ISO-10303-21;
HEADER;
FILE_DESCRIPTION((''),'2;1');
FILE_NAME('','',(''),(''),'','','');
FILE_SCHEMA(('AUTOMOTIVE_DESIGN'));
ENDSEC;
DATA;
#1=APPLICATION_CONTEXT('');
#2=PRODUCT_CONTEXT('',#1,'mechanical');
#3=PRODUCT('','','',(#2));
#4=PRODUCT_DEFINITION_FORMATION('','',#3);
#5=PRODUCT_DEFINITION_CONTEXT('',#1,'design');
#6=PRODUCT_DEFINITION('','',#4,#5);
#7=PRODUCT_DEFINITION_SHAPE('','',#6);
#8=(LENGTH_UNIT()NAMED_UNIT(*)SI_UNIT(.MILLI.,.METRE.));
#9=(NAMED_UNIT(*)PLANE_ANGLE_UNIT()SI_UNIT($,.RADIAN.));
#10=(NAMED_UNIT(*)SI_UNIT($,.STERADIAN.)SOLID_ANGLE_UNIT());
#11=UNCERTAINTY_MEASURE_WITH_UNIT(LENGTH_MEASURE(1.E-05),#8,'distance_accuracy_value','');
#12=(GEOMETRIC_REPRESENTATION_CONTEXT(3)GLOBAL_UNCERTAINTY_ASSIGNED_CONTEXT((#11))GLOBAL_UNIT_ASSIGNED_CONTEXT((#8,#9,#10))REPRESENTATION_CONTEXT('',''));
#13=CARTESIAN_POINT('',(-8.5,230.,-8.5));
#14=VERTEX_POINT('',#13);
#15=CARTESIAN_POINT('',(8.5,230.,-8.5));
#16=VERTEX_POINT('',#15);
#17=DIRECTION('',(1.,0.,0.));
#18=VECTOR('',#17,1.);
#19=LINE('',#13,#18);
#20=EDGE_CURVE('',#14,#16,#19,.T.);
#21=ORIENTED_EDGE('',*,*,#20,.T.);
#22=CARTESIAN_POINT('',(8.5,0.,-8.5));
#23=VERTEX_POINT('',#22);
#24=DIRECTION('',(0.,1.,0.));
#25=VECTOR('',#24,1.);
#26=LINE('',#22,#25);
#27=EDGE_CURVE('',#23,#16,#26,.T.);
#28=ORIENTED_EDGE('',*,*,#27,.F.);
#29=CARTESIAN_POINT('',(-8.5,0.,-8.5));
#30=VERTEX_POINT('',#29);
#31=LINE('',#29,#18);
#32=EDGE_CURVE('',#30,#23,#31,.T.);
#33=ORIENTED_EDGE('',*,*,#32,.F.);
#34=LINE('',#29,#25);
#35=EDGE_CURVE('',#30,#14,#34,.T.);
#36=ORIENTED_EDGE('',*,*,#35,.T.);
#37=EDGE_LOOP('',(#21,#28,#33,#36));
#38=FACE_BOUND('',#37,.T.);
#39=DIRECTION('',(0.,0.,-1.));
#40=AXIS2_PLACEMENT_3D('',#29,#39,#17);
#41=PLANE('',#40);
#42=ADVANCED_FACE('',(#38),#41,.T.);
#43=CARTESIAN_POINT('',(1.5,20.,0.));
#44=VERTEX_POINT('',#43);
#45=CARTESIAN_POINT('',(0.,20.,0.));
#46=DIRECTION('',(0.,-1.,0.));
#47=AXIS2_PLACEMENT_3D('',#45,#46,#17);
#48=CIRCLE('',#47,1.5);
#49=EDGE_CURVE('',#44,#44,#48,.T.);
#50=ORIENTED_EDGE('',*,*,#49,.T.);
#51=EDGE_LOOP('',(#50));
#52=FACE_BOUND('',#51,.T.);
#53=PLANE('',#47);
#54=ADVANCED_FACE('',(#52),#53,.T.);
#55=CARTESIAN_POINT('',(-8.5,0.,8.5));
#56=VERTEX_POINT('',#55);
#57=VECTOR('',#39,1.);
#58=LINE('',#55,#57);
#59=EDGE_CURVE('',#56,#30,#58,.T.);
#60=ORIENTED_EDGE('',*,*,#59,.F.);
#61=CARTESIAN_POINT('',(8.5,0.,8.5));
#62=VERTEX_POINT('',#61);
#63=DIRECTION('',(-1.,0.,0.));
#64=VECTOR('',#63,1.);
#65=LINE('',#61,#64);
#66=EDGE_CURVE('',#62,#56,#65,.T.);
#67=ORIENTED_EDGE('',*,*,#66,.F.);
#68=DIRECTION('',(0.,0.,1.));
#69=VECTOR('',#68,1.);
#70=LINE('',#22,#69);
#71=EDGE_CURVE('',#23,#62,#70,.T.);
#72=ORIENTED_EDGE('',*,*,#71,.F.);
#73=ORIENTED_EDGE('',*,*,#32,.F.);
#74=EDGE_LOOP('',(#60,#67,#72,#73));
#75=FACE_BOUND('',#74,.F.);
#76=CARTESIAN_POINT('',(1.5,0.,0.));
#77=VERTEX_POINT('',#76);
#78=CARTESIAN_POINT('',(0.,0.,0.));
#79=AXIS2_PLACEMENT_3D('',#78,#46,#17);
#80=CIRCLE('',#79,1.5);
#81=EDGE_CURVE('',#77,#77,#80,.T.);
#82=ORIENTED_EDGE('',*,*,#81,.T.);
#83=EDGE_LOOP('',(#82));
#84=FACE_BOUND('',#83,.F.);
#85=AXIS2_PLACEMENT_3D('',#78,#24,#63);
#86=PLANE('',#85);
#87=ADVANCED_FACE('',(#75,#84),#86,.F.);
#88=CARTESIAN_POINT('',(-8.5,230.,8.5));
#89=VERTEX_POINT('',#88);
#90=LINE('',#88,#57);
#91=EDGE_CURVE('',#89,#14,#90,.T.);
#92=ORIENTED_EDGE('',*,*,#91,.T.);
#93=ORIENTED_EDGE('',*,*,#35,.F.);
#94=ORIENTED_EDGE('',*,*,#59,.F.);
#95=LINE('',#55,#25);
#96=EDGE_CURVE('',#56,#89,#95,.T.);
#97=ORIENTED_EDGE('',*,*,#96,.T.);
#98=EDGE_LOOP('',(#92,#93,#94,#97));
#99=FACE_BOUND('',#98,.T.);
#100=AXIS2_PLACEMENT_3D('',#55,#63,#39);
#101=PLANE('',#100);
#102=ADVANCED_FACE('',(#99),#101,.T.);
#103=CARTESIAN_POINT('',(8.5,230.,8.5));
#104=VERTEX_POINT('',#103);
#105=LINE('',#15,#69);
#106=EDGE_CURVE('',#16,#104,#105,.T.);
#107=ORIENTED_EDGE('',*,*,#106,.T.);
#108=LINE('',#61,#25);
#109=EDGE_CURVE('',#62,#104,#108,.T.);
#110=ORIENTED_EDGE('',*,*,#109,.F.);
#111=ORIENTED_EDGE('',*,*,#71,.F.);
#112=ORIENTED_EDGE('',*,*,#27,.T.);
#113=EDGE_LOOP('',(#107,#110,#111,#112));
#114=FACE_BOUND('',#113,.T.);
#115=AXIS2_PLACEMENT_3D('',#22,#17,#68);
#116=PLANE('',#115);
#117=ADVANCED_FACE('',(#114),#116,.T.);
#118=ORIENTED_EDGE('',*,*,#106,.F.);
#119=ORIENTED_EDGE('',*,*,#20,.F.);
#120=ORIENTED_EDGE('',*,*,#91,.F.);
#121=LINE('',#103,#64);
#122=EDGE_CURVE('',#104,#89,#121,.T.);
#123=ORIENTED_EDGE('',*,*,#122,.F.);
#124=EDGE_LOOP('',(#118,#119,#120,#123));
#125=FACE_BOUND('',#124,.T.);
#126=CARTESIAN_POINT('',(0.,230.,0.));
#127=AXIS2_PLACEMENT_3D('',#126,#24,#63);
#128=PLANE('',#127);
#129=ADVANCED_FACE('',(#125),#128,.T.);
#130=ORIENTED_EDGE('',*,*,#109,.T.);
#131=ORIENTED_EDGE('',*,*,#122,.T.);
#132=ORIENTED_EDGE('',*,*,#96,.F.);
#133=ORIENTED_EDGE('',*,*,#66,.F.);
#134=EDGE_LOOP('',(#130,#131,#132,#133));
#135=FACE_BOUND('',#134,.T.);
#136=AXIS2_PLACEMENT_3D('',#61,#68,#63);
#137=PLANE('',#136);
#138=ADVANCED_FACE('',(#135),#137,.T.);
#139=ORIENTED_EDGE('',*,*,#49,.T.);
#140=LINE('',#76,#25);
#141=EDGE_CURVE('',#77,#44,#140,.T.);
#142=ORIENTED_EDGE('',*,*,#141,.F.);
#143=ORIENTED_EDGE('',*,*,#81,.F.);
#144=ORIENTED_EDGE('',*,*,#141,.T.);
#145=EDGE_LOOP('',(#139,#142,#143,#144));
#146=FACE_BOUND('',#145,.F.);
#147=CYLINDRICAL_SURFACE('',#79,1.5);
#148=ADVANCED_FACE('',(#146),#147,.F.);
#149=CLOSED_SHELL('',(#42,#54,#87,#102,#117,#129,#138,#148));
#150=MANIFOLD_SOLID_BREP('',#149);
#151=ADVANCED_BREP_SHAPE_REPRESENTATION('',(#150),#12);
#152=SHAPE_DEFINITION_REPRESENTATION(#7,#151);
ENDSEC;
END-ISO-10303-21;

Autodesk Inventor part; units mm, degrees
ref_plane "YZ Plane" through (0, 0, 0) normal (1, 0, 0) x (0, 1, 0)
ref_plane "XZ Plane" through (0, 0, 0) normal (0, 1, 0) x (-1, 0, 0)
ref_plane "XY Plane" through (0, 0, 0) normal (0, 0, 1) x (1, 0, 0)
sketch "Sketch1" plane through (0, 0, 0) normal (0, 1, 0) x (-1, 0, 0)
  line L0 (-8.5, 8.5) -> (8.5, 8.5)
  line L1 (8.5, 8.5) -> (8.5, -8.5)
  line L2 (8.5, -8.5) -> (-8.5, -8.5)
  line L3 (-8.5, -8.5) -> (-8.5, 8.5)
  line L4 (-8.5, 8.5) -> (8.5, -8.5) construction
  line L5 (8.5, 8.5) -> (-8.5, -8.5) construction
  point P0 (0, 0)
  dimension "d0" = 17
  dimension "d1" = 17
extrude "Extrusion1" add sketch "Sketch1" along normal blind 230
sketch "Sketch2" plane through (0, 0, 0) normal (0, -1, 0) x (1, 0, 0)
  circle A0 centre (0, 0) radius 1.5
  dimension "d4" = 3
extrude "Extrusion2" cut sketch "Sketch2" against normal blind 20
properties part number "WoodColumn" material "Wood (Oak)"
